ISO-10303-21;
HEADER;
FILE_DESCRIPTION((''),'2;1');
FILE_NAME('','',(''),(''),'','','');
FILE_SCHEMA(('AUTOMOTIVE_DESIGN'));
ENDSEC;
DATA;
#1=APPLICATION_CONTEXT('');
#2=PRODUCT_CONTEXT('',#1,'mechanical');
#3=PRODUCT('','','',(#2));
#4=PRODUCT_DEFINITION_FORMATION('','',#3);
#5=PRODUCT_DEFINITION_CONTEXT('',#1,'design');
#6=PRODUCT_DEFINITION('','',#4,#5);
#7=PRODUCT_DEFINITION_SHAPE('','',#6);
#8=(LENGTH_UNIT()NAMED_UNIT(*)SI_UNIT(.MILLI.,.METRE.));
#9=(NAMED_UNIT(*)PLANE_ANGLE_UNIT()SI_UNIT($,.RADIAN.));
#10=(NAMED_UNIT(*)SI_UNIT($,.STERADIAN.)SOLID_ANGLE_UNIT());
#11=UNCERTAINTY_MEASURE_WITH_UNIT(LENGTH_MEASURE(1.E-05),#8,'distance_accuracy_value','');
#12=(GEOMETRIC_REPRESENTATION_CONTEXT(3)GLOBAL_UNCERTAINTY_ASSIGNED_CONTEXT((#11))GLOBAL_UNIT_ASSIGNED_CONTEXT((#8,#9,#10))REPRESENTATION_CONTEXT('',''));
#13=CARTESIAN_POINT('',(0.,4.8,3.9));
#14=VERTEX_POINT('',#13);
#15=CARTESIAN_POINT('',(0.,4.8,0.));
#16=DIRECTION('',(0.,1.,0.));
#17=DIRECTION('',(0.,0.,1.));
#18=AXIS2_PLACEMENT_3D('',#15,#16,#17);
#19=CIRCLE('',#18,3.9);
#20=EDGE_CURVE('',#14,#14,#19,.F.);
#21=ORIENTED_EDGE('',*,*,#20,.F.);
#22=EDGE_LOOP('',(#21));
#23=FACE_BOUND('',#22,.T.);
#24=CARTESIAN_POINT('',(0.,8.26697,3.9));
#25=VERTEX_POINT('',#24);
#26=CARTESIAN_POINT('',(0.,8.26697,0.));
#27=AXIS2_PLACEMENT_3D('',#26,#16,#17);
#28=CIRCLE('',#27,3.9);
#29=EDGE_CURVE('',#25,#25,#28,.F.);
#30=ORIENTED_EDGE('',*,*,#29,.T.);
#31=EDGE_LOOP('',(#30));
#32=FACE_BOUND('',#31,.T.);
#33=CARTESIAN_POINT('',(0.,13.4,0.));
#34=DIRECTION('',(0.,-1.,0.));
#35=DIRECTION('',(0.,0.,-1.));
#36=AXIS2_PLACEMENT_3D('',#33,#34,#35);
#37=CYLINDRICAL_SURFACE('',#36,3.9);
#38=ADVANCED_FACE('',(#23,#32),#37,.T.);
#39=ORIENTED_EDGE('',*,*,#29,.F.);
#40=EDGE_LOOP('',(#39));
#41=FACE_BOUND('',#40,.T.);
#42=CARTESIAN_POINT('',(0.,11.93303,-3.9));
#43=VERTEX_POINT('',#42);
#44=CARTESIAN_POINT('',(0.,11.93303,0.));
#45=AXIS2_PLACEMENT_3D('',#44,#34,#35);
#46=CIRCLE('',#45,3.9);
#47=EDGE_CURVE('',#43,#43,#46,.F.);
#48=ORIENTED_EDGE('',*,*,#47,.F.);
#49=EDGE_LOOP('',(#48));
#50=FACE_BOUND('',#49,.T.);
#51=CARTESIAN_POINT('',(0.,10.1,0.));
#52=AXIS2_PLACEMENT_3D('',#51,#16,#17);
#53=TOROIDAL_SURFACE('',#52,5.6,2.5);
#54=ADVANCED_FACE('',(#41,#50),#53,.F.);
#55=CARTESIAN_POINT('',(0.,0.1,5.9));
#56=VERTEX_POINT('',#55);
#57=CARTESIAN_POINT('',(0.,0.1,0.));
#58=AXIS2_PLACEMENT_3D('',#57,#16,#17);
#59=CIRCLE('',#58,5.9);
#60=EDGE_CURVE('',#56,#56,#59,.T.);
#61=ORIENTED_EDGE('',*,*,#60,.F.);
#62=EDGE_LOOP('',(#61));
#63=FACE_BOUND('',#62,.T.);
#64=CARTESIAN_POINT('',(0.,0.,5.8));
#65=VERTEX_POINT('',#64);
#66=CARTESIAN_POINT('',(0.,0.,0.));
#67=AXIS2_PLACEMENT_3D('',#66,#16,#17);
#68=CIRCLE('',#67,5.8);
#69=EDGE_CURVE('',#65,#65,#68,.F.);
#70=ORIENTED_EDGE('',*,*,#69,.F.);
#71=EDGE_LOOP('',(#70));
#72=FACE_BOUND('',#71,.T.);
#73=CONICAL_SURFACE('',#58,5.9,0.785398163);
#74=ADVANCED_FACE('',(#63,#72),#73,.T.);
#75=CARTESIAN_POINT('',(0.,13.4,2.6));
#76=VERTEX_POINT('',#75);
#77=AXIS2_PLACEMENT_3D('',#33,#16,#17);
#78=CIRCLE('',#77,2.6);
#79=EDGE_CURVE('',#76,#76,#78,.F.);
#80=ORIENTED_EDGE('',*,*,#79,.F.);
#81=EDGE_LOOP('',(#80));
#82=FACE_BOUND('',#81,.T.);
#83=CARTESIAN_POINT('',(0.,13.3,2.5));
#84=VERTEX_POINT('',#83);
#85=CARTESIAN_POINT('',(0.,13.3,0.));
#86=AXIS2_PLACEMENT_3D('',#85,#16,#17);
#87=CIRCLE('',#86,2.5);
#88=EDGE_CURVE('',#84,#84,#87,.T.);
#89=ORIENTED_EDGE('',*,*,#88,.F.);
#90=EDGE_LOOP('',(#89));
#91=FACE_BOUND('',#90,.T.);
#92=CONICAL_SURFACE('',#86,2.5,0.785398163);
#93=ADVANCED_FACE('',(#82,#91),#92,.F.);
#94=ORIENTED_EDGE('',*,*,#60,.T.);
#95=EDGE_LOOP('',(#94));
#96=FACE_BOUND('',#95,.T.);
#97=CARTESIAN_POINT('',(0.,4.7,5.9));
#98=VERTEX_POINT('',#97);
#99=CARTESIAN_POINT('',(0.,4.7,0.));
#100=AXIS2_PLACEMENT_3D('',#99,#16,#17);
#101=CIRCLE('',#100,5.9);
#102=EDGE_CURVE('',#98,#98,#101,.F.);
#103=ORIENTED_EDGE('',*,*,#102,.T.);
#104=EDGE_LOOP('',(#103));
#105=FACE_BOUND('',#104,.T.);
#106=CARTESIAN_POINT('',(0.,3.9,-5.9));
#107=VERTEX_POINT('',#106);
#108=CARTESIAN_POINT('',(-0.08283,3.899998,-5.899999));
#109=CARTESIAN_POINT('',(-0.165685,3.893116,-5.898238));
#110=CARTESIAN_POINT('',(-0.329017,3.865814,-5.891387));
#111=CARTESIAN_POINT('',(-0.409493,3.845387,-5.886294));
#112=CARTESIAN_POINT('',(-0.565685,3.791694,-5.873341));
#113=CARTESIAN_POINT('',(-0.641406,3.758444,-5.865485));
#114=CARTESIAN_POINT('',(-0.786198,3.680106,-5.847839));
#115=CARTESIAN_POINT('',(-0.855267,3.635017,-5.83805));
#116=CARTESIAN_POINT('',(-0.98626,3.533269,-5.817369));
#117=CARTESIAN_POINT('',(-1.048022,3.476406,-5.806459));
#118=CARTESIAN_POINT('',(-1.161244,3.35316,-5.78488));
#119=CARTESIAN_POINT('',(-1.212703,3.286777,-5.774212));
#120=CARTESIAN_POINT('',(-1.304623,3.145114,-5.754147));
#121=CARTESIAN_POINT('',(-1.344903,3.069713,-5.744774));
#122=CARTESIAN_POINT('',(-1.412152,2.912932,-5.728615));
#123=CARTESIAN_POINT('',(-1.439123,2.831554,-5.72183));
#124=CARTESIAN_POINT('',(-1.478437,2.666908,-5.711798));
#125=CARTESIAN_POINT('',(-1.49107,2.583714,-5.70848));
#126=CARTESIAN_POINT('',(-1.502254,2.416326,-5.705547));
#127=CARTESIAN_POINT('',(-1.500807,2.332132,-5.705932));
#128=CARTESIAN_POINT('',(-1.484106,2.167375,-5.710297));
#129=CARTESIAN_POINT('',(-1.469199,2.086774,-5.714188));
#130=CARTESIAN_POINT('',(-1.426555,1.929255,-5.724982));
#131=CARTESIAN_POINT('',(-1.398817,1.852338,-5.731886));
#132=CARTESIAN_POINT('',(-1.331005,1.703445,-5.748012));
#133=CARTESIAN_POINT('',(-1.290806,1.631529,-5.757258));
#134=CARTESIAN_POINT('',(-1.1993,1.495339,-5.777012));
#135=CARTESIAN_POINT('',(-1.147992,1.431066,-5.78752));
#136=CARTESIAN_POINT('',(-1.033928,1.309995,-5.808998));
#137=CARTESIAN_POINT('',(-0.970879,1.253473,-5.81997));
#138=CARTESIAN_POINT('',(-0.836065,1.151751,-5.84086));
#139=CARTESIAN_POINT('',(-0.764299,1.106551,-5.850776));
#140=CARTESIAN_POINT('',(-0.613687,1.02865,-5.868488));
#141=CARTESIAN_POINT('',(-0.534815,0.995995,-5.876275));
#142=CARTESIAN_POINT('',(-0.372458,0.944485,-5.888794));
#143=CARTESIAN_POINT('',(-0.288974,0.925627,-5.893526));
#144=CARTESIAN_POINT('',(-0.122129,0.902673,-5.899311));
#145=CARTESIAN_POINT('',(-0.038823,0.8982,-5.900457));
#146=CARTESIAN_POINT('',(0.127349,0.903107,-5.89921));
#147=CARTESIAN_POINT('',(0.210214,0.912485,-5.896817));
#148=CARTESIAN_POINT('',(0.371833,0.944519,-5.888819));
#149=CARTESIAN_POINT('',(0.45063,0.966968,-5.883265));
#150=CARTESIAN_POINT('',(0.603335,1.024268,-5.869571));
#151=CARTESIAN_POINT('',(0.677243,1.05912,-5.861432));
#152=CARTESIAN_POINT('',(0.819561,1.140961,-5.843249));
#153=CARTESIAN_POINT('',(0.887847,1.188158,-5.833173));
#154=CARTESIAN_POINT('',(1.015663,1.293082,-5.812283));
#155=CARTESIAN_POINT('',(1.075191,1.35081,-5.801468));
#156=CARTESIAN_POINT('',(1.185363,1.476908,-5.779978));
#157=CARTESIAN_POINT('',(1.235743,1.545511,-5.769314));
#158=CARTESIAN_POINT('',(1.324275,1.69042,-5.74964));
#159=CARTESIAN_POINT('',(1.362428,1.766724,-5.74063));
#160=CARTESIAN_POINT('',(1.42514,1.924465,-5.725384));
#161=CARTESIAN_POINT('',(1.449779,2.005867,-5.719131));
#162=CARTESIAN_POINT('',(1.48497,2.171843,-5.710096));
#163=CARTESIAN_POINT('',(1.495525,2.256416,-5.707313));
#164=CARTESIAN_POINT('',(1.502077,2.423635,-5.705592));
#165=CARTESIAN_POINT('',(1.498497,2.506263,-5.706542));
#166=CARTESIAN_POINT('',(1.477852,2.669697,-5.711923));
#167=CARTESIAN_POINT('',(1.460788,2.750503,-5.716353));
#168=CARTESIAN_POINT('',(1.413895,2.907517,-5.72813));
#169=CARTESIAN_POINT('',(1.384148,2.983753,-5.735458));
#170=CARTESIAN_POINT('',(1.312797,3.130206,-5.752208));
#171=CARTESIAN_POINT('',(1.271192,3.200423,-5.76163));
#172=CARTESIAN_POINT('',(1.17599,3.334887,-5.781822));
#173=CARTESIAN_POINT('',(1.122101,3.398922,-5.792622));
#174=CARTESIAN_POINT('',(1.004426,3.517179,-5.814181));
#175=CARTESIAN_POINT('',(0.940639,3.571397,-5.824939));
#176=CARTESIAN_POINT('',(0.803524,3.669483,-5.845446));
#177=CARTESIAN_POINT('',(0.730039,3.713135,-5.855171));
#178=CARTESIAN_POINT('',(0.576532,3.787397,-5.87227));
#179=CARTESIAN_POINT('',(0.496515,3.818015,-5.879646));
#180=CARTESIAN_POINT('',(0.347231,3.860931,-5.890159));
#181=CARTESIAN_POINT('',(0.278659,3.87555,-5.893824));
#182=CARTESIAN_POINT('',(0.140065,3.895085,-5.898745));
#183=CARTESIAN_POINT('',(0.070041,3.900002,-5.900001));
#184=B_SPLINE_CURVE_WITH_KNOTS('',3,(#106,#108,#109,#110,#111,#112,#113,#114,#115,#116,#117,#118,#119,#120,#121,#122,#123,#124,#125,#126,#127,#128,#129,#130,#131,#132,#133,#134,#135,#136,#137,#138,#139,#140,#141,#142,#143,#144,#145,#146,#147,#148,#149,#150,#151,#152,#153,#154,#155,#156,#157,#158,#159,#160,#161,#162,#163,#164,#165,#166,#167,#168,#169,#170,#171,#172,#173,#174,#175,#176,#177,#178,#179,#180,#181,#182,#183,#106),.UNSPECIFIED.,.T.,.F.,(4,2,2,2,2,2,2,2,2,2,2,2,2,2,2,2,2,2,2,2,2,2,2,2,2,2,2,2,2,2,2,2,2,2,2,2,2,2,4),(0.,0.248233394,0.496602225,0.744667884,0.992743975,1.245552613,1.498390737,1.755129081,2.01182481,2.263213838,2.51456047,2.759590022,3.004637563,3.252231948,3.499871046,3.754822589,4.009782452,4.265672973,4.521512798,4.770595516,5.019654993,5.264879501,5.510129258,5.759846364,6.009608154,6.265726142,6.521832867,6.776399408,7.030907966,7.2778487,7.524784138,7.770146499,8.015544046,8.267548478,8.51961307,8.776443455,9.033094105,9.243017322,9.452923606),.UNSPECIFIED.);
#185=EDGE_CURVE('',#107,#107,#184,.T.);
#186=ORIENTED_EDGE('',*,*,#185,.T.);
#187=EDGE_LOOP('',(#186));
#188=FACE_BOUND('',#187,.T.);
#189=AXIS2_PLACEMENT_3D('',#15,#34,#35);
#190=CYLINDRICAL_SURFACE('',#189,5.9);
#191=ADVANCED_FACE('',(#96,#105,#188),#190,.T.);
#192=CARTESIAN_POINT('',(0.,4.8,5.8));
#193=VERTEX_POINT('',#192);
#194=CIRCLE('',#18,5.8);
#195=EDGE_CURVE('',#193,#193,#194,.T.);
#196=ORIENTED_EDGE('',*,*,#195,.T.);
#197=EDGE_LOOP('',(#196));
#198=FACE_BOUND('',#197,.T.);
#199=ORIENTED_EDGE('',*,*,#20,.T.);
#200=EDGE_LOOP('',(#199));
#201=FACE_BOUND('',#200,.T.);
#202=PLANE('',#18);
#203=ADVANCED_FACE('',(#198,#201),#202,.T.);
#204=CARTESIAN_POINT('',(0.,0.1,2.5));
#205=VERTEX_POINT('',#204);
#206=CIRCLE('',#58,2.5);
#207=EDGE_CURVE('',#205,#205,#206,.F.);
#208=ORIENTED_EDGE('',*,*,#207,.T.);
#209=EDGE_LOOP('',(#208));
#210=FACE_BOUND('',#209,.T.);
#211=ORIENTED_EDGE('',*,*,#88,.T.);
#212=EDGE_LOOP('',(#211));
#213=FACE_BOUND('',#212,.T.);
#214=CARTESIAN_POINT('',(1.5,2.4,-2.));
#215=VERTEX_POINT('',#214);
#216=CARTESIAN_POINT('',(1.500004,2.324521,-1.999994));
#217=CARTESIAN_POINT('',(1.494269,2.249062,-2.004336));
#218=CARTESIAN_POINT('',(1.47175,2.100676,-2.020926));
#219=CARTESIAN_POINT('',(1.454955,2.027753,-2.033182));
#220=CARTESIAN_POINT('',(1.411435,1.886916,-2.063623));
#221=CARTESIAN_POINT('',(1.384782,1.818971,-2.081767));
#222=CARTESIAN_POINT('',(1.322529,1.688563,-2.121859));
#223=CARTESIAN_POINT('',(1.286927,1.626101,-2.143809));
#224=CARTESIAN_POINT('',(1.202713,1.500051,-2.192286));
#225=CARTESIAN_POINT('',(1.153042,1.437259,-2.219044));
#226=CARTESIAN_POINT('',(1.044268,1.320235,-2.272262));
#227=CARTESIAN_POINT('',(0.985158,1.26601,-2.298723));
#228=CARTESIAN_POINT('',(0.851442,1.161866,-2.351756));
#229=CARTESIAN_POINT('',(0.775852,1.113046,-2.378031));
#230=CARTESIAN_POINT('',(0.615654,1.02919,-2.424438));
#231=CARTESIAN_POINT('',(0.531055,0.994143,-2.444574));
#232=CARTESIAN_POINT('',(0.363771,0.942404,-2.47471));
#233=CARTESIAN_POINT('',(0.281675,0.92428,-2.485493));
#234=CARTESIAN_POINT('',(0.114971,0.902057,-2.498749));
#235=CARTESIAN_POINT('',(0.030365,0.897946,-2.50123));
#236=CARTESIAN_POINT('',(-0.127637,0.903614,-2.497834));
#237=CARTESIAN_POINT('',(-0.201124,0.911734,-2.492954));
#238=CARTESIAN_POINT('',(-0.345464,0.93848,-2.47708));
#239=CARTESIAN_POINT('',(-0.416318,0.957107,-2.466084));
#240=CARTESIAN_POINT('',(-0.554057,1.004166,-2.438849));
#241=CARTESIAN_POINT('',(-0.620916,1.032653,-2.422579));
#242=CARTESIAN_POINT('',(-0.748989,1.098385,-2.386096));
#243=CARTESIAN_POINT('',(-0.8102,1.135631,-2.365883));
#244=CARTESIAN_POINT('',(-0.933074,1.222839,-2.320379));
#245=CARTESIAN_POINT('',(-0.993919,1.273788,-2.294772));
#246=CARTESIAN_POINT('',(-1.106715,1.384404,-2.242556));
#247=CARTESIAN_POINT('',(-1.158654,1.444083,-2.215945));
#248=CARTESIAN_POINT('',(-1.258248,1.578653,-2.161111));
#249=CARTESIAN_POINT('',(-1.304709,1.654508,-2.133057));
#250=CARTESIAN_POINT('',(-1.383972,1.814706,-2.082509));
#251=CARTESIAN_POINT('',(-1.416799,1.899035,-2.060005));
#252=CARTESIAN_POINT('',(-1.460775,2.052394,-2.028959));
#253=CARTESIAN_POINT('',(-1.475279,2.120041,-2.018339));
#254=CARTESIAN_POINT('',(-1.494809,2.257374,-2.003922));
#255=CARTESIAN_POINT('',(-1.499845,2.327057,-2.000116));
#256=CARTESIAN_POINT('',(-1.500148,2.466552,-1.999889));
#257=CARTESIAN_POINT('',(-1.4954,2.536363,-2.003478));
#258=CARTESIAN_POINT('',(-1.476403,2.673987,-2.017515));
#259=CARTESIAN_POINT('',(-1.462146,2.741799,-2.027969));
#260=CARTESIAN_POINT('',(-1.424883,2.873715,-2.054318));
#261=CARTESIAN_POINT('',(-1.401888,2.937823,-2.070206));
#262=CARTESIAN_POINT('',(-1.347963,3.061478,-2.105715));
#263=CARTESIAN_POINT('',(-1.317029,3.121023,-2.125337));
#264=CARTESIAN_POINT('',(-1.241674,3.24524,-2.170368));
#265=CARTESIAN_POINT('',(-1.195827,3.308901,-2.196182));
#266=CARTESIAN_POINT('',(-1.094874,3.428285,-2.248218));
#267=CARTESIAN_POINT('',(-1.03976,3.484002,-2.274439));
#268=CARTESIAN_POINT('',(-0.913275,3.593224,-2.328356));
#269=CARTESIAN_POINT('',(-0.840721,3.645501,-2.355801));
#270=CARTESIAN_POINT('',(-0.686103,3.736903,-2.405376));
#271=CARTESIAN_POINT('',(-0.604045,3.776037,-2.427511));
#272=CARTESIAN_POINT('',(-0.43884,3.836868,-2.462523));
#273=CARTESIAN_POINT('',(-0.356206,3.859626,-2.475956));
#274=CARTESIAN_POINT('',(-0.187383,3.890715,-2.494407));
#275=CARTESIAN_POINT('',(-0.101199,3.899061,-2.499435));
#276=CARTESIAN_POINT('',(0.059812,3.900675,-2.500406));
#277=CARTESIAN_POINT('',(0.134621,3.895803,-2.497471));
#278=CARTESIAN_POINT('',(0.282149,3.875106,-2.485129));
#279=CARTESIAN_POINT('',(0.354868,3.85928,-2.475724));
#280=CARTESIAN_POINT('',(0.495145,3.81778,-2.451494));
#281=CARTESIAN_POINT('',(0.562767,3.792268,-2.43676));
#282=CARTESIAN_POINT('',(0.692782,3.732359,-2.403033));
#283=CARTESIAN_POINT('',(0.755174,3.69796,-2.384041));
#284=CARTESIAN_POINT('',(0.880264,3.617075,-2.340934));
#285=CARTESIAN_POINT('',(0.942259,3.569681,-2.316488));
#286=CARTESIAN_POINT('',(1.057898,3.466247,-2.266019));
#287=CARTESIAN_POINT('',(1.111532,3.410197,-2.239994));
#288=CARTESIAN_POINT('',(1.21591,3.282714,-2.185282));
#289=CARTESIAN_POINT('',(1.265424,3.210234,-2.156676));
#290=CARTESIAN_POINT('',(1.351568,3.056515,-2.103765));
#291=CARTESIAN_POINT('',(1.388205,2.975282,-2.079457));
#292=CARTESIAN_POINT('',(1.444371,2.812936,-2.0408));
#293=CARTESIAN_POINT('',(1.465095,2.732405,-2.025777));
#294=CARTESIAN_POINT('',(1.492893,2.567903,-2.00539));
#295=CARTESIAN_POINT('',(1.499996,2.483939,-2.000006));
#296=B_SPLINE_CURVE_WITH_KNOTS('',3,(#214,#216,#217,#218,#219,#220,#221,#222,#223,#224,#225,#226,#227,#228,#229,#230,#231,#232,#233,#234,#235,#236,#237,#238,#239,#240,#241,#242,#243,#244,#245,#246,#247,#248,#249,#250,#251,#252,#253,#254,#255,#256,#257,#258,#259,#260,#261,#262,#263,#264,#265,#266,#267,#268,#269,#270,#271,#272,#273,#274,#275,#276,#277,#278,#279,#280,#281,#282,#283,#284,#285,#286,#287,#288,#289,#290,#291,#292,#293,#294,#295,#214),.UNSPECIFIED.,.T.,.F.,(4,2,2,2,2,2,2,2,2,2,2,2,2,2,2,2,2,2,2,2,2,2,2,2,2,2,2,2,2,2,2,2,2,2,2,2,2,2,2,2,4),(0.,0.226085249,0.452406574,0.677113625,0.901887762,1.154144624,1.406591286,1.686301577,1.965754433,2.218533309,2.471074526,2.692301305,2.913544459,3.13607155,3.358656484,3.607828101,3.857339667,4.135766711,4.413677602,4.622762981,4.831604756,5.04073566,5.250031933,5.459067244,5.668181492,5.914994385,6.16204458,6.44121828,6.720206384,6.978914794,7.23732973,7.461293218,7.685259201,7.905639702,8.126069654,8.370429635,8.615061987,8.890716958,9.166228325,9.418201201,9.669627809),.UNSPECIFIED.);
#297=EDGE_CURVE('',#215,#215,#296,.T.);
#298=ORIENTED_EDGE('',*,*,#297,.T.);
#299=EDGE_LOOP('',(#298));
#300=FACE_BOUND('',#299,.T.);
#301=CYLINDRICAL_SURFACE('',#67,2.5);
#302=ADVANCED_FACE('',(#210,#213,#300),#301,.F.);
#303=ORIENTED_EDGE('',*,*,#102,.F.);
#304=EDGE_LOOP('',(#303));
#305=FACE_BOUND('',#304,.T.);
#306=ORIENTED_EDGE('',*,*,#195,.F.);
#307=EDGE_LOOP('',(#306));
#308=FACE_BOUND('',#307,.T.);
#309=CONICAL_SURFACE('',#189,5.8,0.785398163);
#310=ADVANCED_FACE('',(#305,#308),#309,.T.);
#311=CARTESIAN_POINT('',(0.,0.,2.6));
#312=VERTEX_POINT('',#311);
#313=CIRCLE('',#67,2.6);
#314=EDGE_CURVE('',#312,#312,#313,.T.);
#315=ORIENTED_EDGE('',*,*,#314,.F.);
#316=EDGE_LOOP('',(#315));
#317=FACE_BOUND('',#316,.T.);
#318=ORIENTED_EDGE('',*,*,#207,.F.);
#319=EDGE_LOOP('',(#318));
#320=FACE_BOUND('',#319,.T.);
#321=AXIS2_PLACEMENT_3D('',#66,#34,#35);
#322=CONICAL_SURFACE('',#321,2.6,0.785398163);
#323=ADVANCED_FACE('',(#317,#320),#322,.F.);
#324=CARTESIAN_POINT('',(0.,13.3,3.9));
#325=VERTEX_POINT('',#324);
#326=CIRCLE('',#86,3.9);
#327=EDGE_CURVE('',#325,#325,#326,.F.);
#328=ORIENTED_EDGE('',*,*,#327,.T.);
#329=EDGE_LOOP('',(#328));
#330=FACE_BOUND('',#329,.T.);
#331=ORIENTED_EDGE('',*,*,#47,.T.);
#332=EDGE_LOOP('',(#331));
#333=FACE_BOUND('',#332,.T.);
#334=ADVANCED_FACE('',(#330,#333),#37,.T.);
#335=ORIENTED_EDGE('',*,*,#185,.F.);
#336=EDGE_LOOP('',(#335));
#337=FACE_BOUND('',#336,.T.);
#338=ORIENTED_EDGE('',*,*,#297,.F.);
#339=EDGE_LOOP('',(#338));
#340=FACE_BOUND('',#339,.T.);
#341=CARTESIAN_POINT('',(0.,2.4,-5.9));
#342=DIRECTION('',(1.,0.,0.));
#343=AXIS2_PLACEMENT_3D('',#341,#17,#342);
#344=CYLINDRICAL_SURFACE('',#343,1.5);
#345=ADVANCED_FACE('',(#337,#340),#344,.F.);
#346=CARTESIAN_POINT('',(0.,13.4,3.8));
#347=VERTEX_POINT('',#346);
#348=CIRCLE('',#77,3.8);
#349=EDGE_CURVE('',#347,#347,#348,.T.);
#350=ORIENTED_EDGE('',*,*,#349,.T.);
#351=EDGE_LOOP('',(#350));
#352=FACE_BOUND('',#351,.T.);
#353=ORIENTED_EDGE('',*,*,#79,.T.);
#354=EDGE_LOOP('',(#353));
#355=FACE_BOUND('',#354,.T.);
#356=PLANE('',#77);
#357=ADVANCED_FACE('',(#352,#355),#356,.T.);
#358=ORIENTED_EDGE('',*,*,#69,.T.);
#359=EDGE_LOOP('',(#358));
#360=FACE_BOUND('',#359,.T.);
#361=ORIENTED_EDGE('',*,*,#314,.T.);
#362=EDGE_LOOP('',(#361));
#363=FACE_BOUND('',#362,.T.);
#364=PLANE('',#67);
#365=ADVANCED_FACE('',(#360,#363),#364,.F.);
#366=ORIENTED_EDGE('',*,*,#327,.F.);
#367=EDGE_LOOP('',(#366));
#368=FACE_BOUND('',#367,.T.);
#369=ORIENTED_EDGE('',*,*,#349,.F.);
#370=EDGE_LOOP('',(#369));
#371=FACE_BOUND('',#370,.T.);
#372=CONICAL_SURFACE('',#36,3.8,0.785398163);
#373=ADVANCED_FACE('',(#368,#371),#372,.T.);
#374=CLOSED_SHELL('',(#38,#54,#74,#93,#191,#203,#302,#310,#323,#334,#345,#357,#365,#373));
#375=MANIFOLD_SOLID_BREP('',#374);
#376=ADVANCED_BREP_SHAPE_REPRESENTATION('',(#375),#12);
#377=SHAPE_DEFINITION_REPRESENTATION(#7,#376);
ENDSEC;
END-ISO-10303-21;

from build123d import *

# Parameters (mm, degrees)
CROQUIS1_R              = 5.9
SALIENTE_EXTRUIR1_DEPTH = 4.8
CROQUIS2_R              = 3.9
SALIENTE_EXTRUIR2_DEPTH = 13.4
CROQUIS3_R              = 2.5
CORTAR_EXTRUIR1_DEPTH   = 14.4
CHAFL_N1_SIZE           = 0.1
CROQUIS4_R              = 2.5
CROQUIS5_R              = 1.5
CORTAR_EXTRUIR2_DEPTH   = 6.9


with BuildPart() as part:
    # Croquis1 → Saliente-Extruir1 (new body)
    with BuildSketch(Plane(origin=(0, 0, 0), x_dir=(1, 0, 0), z_dir=(0, 1, 0))):
        Circle(CROQUIS1_R)
    extrude(amount=SALIENTE_EXTRUIR1_DEPTH)

    # Croquis2 → Saliente-Extruir2 (add)
    with BuildSketch(Plane(origin=(0, 0, 0), x_dir=(1, 0, 0), z_dir=(0, 1, 0))):
        Circle(CROQUIS2_R)
    extrude(amount=SALIENTE_EXTRUIR2_DEPTH)

    # Croquis3 → Cortar-Extruir1 (cut, through all)
    with BuildSketch(Plane(origin=(0, 13.4, 0), x_dir=(1, 0, 0), z_dir=(0, 1, 0))):
        Circle(CROQUIS3_R)
    extrude(amount=-CORTAR_EXTRUIR1_DEPTH, mode=Mode.SUBTRACT)

    # Chaflán1
    chafl_n1_edges = [part.edges().sort_by_distance(p)[0] for p in [
        (-2.5, 0, 0),
        (-2.5, 13.4, 0),
        (-5.9, 0, 0),
        (-5.9, 4.8, 0),
        (-3.9, 13.4, 0),
    ]]
    chamfer(chafl_n1_edges, length=CHAFL_N1_SIZE)

    # Croquis4 → Cortar-Revolución2 (revolve, cut)
    with BuildSketch(Plane(origin=(0, 0, 0), x_dir=(0, 0, -1), z_dir=(1, 0, 0))):
        with Locations((-5.6, 10.1)):
            Circle(CROQUIS4_R)
    revolve(axis=Axis((0, 13.979474026, 0), (0, -1, 0)), mode=Mode.SUBTRACT)

    # Croquis5 → Cortar-Extruir2 (cut, through all)
    with BuildSketch(Plane.XY):
        with Locations((0, 2.4)):
            Circle(CROQUIS5_R)
    extrude(amount=-CORTAR_EXTRUIR2_DEPTH, mode=Mode.SUBTRACT)


solid = part.part
